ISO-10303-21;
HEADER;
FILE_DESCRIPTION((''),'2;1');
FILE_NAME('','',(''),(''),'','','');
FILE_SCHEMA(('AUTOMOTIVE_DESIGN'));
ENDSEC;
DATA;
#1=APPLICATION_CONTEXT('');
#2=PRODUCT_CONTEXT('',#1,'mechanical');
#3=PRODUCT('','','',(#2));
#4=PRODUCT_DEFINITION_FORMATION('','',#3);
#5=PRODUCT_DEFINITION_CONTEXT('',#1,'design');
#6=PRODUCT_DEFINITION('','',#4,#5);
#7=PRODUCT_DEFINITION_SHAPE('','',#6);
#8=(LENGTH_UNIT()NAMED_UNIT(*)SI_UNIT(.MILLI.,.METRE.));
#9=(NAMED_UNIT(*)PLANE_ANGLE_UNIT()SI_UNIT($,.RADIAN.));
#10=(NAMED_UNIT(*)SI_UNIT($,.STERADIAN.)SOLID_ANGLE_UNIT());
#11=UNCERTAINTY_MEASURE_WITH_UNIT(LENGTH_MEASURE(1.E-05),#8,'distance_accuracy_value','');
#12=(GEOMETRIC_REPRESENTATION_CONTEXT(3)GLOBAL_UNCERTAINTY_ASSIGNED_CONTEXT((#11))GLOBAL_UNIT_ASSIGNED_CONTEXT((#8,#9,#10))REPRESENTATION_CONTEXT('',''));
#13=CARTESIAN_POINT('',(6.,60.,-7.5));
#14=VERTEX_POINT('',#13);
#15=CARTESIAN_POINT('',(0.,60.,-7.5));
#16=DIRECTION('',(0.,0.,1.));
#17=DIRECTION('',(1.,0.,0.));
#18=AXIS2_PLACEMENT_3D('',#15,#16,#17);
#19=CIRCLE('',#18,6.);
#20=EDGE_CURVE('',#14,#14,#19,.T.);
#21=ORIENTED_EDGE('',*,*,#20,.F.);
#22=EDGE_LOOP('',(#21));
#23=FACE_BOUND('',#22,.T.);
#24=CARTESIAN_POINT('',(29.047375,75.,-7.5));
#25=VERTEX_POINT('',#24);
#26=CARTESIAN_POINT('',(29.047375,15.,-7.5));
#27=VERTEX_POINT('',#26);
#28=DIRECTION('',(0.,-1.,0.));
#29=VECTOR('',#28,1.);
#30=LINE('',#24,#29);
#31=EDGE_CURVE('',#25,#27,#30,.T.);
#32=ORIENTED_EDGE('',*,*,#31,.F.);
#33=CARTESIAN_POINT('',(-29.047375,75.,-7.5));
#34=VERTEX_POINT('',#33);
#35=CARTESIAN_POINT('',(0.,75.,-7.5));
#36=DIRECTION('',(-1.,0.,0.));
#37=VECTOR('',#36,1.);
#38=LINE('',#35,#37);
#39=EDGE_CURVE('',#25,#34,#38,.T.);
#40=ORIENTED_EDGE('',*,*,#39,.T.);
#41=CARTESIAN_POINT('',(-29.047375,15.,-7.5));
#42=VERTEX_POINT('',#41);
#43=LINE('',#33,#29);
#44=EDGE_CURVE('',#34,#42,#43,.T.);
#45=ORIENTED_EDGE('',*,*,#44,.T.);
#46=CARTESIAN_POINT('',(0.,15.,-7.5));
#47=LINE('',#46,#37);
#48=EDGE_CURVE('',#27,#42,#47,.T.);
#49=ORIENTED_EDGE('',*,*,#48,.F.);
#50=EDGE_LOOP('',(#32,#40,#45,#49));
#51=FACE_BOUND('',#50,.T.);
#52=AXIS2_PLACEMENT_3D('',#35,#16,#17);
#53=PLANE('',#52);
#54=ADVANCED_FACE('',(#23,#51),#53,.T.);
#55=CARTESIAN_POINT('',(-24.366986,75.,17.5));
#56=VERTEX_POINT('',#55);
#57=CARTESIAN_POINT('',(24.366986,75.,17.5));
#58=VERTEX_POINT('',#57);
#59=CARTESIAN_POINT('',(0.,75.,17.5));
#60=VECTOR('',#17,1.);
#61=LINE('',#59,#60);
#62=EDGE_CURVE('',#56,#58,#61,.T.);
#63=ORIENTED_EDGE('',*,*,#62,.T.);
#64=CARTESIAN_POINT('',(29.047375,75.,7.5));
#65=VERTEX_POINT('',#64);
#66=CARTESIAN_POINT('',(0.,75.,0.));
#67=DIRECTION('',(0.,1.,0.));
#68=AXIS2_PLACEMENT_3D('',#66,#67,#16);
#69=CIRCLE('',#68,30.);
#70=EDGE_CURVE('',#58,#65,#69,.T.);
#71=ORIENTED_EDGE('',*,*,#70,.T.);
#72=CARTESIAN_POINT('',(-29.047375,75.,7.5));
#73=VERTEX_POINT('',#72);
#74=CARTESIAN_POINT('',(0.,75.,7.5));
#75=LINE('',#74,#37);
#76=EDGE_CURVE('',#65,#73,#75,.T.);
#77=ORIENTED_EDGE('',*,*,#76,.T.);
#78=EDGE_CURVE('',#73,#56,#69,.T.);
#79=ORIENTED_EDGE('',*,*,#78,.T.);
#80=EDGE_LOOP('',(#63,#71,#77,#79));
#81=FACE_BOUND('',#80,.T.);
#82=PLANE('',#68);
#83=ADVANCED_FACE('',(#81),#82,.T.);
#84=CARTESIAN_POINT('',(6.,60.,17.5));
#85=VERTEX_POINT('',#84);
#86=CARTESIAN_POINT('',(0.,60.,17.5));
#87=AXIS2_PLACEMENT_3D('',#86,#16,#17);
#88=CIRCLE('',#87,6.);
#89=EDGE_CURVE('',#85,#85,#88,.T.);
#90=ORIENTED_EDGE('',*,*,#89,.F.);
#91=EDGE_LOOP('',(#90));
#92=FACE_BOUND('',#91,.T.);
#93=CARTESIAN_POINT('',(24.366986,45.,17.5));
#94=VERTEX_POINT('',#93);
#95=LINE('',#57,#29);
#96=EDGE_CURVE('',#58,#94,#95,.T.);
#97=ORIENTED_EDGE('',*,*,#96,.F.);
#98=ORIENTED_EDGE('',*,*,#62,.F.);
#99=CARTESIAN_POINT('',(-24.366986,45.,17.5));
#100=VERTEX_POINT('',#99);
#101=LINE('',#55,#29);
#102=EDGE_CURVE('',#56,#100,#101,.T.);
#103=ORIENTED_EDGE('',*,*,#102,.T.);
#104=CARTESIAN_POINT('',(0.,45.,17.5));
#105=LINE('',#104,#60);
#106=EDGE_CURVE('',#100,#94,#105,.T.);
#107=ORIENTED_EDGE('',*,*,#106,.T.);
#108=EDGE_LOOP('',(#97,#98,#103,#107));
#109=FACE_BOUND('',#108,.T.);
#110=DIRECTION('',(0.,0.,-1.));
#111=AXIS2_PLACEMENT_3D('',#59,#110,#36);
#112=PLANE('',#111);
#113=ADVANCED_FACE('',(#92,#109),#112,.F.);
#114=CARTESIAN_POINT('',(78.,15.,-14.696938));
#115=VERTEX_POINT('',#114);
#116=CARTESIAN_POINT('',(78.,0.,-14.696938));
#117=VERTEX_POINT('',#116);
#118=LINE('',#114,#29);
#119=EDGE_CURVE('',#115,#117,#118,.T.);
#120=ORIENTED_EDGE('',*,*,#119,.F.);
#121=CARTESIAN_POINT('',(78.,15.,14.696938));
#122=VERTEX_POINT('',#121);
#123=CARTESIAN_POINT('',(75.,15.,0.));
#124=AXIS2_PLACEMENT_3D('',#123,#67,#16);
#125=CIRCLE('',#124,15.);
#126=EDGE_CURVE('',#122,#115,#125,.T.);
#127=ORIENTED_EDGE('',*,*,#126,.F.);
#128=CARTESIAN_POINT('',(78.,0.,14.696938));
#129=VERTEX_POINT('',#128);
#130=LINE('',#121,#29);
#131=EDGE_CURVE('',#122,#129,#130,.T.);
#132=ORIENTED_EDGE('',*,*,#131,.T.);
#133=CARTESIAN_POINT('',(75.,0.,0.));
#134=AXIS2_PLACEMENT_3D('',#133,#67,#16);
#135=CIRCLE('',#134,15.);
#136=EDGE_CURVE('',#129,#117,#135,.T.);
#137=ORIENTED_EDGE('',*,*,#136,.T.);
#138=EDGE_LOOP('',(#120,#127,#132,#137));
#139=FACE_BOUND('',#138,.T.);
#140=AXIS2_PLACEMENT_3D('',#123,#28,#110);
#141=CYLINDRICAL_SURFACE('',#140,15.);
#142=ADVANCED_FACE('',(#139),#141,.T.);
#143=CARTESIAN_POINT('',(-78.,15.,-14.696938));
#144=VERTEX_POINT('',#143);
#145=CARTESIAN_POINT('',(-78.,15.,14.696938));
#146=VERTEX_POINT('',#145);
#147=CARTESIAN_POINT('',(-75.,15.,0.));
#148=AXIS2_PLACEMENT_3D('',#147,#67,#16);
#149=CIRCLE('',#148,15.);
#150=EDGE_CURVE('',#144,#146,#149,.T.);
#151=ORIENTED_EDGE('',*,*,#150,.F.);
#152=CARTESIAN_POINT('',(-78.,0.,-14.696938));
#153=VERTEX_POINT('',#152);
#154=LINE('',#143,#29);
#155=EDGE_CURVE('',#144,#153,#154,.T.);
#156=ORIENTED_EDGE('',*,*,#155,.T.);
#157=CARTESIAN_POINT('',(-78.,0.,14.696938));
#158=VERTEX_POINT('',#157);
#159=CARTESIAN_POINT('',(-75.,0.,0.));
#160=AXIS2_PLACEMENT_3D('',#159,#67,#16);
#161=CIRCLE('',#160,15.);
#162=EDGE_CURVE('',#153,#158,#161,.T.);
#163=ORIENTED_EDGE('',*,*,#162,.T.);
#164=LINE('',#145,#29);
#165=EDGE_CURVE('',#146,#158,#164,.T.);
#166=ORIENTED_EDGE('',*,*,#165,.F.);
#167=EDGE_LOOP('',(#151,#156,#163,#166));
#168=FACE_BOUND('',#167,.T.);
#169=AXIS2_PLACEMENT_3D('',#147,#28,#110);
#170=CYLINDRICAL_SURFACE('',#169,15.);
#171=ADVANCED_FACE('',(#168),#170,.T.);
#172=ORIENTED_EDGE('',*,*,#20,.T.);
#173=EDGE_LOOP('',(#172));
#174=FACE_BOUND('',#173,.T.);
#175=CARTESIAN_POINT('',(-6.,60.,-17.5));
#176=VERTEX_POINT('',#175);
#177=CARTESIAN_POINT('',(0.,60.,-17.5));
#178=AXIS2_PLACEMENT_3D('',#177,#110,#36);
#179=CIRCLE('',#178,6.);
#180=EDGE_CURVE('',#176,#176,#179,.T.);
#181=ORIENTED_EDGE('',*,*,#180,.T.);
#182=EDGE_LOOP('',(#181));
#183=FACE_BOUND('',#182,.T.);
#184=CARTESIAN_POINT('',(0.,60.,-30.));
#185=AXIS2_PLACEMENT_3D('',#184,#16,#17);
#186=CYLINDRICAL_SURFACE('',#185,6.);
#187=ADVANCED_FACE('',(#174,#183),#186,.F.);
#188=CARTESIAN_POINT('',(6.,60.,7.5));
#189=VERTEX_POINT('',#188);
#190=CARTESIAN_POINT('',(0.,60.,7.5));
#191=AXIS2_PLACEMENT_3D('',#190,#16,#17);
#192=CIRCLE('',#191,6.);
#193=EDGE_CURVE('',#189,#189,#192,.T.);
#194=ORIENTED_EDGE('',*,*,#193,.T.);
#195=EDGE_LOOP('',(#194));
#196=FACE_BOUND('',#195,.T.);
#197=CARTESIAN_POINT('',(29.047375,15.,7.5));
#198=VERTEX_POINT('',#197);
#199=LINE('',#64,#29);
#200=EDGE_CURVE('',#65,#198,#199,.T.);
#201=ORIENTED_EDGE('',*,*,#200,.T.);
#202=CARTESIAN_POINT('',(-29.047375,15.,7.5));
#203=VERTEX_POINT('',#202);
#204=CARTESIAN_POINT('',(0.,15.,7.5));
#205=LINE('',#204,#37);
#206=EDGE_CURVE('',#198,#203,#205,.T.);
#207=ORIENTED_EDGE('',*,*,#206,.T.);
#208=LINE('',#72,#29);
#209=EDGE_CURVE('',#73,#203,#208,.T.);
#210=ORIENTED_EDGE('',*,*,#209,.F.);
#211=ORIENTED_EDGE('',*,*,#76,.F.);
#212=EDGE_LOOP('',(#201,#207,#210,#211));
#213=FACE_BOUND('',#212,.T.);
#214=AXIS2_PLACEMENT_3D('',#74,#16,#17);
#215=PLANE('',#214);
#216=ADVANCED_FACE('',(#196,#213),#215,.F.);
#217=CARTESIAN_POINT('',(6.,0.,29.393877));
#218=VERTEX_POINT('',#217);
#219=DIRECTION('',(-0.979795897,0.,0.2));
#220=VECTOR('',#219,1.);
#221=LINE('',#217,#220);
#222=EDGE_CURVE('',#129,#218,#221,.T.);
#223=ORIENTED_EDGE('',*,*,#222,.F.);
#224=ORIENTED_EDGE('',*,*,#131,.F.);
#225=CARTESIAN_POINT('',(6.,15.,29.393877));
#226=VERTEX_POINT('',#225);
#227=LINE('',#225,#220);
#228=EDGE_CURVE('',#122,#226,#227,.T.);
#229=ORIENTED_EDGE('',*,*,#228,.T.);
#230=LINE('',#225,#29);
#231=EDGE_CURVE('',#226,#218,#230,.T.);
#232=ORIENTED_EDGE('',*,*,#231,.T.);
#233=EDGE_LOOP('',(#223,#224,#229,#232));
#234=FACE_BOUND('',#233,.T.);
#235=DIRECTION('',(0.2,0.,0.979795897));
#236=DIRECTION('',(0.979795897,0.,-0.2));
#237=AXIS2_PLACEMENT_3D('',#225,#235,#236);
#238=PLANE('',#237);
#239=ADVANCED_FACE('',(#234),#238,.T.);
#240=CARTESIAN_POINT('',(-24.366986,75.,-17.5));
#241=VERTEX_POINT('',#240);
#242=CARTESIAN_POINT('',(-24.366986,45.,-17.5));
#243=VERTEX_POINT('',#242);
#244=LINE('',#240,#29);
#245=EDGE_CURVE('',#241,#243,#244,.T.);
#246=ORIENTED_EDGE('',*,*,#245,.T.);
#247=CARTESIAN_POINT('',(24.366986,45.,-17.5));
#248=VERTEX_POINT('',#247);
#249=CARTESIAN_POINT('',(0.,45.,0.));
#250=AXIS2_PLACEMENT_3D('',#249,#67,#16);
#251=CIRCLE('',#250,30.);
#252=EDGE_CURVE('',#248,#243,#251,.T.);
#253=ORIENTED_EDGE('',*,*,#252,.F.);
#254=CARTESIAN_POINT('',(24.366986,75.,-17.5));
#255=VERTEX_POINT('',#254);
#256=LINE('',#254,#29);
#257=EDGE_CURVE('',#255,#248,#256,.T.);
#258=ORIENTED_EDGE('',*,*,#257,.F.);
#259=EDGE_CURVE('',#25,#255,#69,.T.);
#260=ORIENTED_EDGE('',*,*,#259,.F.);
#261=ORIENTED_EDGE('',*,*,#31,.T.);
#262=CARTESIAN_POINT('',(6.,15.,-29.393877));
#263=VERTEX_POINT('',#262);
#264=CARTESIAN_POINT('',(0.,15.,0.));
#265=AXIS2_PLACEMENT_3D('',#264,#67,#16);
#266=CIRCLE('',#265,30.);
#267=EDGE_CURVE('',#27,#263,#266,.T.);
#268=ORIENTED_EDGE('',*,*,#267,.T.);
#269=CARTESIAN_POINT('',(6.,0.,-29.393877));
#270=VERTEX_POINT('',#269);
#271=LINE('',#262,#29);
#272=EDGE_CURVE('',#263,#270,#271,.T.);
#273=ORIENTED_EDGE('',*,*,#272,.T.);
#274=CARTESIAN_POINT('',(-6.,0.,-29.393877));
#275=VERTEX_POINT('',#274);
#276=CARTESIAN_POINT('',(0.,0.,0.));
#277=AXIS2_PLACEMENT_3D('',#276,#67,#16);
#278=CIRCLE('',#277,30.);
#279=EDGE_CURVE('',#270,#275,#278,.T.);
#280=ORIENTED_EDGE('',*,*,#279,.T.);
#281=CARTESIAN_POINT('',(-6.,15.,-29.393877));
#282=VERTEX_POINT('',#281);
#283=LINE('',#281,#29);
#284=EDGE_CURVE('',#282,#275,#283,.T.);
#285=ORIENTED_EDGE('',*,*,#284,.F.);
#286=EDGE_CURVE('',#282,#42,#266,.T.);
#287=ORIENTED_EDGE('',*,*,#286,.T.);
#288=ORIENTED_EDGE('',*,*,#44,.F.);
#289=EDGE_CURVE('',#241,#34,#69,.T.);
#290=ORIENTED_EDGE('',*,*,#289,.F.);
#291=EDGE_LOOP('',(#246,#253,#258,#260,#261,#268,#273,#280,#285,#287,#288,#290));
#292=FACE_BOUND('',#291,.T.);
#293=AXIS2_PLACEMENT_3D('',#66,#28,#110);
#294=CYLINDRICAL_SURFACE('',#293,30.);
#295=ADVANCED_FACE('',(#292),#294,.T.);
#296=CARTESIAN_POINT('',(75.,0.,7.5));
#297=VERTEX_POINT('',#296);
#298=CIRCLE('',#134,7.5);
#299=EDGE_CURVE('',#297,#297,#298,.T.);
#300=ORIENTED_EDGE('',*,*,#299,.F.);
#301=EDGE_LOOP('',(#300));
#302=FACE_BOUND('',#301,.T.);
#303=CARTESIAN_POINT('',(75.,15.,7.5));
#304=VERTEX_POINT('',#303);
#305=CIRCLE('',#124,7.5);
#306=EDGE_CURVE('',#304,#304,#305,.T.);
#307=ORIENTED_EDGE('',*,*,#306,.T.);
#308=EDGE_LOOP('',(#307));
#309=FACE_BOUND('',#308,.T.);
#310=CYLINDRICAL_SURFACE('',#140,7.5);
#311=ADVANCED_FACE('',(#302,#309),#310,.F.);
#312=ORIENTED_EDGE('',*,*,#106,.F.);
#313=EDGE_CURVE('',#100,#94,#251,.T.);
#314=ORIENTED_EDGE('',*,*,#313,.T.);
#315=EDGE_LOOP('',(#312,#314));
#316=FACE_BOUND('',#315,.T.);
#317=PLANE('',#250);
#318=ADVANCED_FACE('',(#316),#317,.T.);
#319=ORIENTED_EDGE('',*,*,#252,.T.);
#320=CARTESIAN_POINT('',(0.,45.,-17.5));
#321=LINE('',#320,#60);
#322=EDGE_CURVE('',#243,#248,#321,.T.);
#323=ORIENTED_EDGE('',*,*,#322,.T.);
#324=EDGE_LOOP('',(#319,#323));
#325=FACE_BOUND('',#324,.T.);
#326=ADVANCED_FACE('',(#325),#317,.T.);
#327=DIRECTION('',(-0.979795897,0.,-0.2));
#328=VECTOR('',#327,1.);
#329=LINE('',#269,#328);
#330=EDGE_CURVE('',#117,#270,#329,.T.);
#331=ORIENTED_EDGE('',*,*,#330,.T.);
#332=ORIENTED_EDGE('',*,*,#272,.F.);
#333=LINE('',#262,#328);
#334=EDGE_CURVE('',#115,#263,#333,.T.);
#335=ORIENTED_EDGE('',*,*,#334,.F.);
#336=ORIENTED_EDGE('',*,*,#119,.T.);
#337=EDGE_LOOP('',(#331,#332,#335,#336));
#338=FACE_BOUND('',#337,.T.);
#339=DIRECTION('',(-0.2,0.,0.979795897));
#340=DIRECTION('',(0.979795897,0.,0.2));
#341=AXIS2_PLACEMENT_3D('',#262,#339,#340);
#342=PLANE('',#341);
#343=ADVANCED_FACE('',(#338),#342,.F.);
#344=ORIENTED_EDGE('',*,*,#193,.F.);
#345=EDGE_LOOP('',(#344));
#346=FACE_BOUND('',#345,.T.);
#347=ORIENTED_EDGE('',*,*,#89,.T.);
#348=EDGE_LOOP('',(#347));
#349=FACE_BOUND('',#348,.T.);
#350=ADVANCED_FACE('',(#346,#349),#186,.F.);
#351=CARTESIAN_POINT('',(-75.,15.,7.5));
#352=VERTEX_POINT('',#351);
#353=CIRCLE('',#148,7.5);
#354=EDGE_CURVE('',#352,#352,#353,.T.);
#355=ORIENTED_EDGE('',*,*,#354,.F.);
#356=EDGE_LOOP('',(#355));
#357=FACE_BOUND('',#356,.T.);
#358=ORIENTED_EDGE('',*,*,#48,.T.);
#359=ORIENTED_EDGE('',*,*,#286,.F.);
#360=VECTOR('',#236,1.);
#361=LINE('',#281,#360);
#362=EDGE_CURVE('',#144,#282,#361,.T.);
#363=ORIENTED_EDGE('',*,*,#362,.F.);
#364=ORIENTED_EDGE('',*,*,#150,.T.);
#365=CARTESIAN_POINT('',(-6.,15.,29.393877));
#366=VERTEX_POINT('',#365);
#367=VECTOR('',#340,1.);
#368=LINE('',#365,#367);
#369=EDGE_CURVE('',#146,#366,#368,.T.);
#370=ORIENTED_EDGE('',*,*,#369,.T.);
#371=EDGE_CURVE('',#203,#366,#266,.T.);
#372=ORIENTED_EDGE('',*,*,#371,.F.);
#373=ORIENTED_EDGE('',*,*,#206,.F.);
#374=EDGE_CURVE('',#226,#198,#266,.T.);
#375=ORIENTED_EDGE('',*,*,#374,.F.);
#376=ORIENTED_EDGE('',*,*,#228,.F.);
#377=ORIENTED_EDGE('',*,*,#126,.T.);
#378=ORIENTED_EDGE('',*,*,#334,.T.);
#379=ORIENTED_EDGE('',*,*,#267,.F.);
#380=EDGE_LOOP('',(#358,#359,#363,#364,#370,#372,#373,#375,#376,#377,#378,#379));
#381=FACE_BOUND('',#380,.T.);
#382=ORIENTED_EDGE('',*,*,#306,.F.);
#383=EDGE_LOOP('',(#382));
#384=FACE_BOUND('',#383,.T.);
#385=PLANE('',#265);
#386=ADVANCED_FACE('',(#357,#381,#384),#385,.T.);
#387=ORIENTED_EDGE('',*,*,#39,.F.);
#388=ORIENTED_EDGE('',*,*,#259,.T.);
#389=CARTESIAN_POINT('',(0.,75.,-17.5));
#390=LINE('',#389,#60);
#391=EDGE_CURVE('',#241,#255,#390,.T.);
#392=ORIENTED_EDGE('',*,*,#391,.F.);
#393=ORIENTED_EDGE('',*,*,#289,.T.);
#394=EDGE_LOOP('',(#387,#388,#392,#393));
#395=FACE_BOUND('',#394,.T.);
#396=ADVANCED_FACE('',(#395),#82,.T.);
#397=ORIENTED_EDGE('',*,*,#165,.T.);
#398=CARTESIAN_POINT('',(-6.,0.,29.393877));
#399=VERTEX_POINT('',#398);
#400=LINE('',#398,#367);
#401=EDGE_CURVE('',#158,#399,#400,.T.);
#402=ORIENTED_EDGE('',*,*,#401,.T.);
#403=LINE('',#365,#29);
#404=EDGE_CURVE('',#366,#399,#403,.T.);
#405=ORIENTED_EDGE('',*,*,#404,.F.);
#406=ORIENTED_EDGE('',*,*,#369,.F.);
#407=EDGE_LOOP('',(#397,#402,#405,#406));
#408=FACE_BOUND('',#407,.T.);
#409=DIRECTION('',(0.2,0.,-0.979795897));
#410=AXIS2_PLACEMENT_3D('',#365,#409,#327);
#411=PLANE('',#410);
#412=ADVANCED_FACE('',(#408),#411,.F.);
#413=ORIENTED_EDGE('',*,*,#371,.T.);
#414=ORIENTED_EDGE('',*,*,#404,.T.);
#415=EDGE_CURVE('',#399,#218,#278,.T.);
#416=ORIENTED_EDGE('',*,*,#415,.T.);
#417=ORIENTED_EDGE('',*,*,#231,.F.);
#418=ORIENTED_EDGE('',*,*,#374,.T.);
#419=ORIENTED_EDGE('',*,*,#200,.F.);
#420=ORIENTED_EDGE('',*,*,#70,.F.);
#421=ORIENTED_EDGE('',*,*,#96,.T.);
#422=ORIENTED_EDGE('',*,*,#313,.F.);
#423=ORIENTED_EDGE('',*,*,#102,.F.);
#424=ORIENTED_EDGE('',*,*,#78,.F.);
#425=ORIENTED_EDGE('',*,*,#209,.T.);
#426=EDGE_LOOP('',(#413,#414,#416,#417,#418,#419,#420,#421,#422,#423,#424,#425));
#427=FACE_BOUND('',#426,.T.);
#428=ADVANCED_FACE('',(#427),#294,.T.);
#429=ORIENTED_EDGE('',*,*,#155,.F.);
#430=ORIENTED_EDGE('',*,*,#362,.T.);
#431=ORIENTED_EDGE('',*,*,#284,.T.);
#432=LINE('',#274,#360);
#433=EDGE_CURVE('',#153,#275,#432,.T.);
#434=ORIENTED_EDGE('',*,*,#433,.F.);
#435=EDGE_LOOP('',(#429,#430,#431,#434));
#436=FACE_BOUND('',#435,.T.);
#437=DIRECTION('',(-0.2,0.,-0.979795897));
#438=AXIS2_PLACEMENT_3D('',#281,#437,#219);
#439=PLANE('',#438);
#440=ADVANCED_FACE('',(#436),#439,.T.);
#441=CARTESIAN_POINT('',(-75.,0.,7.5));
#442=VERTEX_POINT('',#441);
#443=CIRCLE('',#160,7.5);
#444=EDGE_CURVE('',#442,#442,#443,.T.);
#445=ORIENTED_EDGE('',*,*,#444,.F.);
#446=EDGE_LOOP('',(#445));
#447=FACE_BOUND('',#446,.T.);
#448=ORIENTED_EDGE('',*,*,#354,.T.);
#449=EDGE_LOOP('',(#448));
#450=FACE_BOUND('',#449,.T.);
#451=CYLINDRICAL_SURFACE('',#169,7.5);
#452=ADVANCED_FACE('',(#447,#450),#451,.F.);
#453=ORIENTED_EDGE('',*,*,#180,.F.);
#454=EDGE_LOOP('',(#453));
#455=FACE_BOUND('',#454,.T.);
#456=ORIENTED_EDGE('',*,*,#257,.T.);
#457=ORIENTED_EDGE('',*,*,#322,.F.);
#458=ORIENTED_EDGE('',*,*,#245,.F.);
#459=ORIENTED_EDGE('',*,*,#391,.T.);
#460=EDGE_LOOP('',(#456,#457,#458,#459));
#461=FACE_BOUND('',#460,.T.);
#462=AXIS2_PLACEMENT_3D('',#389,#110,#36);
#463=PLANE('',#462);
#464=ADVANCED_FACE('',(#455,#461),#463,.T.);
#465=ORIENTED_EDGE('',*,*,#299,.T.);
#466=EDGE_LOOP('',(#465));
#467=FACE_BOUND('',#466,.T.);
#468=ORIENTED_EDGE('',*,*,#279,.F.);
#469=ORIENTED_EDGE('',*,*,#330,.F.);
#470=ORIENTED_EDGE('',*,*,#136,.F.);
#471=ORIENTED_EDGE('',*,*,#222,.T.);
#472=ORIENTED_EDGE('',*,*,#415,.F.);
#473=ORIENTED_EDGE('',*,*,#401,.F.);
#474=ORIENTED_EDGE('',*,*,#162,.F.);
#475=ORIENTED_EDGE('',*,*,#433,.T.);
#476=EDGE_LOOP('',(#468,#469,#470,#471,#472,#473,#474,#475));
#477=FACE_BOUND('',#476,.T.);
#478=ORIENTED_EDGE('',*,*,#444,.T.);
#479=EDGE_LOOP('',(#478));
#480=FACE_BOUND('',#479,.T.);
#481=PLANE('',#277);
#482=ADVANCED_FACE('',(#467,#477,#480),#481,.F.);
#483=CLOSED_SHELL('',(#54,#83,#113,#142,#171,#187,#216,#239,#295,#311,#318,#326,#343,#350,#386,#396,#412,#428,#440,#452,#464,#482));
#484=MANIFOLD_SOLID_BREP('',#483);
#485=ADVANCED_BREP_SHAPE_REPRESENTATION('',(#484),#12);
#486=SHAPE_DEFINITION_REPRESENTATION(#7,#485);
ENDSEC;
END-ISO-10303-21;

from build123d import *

# Parameters (mm, degrees)
BOSS_EXTRUDE1_DEPTH   = 75
BOSS_EXTRUDE1_2_DEPTH = 75
BOSS_EXTRUDE2_DEPTH   = 45
SKETCH1_5_R           = 7.5
BOSS_EXTRUDE3_DEPTH   = 15
SKETCH2_R             = 6
CUT_EXTRUDE1_DEPTH    = 127.416968798


with BuildPart() as part:
    # Sketch1 → Boss-Extrude1 (new body)
    with BuildSketch(Plane(origin=(0, 0, 0), x_dir=(1, 0, 0), z_dir=(0, 1, 0))):
        with BuildLine():
            Line((24.366985862, 17.5), (-24.366985862, 17.5))
            ThreePointArc((-24.366985862, 17.5), (-27.171188586, 12.717173855), (-29.047375097, 7.5))
            Line((-29.047375097, 7.5), (29.047375097, 7.5))
            ThreePointArc((29.047375097, 7.5), (27.171188586, 12.717173855), (24.366985862, 17.5))
        make_face()
    extrude(amount=BOSS_EXTRUDE1_DEPTH)



with BuildPart() as body_2:
    # Sketch1 → Boss-Extrude1 2 (new body)
    with BuildSketch(Plane(origin=(0, 0, 0), x_dir=(1, 0, 0), z_dir=(0, 1, 0))):
        with BuildLine():
            ThreePointArc((-29.047375097, -7.5), (-27.171188586, -12.717173855), (-24.366985862, -17.5))
            Line((-24.366985862, -17.5), (24.366985862, -17.5))
            ThreePointArc((24.366985862, -17.5), (27.171188586, -12.717173855), (29.047375097, -7.5))
            Line((29.047375097, -7.5), (-29.047375097, -7.5))
        make_face()
    extrude(amount=BOSS_EXTRUDE1_2_DEPTH)


with BuildPart() as part_1:
    add(part.part)

    add(body_2.part)  # Boss-Extrude2 merges body 2
    # Sketch1<4> → Boss-Extrude2 (add)
    with BuildSketch(Plane(origin=(0, 0, 0), x_dir=(1, 0, 0), z_dir=(0, 1, 0))):
        with BuildLine():
            ThreePointArc((24.366985862, 17.5), (0, 30), (-24.366985862, 17.5))
            Line((-24.366985862, 17.5), (24.366985862, 17.5))
        make_face()
        with BuildLine():
            ThreePointArc((-24.366985862, -17.5), (0, -30), (24.366985862, -17.5))
            Line((24.366985862, -17.5), (-24.366985862, -17.5))
        make_face()
    extrude(amount=BOSS_EXTRUDE2_DEPTH)

    # Sketch1<5> → Boss-Extrude3 (add)
    with BuildSketch(Plane(origin=(0, 0, 0), x_dir=(1, 0, 0), z_dir=(0, 1, 0))):
        with BuildLine():
            ThreePointArc((-29.047375097, 7.5), (-27.171188586, 12.717173855), (-24.366985862, 17.5))
            ThreePointArc((-24.366985862, 17.5), (-16.306579488, 25.18125226), (-6, 29.393876913))
            Line((-6, 29.393876913), (-78, 14.696938457))
            ThreePointArc((-78, 14.696938457), (-90, 0), (-78, -14.696938457))
            Line((-78, -14.696938457), (-6, -29.393876913))
            ThreePointArc((-6, -29.393876913), (-16.306579488, -25.18125226), (-24.366985862, -17.5))
            ThreePointArc((-24.366985862, -17.5), (-27.171188586, -12.717173855), (-29.047375097, -7.5))
            Line((-29.047375097, -7.5), (29.047375097, -7.5))
            ThreePointArc((29.047375097, -7.5), (27.171188586, -12.717173855), (24.366985862, -17.5))
            ThreePointArc((24.366985862, -17.5), (16.306579488, -25.18125226), (6, -29.393876913))
            Line((6, -29.393876913), (78, -14.696938457))
            ThreePointArc((78, -14.696938457), (90, 0), (78, 14.696938457))
            Line((78, 14.696938457), (6, 29.393876913))
            ThreePointArc((6, 29.393876913), (16.306579488, 25.18125226), (24.366985862, 17.5))
            ThreePointArc((24.366985862, 17.5), (27.171188586, 12.717173855), (29.047375097, 7.5))
            Line((29.047375097, 7.5), (-29.047375097, 7.5))
        make_face()
        with Locations((-75, 0)):
            Circle(SKETCH1_5_R, mode=Mode.SUBTRACT)
        with Locations((75, 0)):
            Circle(SKETCH1_5_R, mode=Mode.SUBTRACT)
    extrude(amount=BOSS_EXTRUDE3_DEPTH)

    # Sketch2 → Cut-Extrude1 (cut, through all)
    with BuildSketch(Plane.XY.offset(17.5)):
        with Locations((0, 60)):
            Circle(SKETCH2_R)
    extrude(amount=-CUT_EXTRUDE1_DEPTH, mode=Mode.SUBTRACT)


solid = part_1.part
